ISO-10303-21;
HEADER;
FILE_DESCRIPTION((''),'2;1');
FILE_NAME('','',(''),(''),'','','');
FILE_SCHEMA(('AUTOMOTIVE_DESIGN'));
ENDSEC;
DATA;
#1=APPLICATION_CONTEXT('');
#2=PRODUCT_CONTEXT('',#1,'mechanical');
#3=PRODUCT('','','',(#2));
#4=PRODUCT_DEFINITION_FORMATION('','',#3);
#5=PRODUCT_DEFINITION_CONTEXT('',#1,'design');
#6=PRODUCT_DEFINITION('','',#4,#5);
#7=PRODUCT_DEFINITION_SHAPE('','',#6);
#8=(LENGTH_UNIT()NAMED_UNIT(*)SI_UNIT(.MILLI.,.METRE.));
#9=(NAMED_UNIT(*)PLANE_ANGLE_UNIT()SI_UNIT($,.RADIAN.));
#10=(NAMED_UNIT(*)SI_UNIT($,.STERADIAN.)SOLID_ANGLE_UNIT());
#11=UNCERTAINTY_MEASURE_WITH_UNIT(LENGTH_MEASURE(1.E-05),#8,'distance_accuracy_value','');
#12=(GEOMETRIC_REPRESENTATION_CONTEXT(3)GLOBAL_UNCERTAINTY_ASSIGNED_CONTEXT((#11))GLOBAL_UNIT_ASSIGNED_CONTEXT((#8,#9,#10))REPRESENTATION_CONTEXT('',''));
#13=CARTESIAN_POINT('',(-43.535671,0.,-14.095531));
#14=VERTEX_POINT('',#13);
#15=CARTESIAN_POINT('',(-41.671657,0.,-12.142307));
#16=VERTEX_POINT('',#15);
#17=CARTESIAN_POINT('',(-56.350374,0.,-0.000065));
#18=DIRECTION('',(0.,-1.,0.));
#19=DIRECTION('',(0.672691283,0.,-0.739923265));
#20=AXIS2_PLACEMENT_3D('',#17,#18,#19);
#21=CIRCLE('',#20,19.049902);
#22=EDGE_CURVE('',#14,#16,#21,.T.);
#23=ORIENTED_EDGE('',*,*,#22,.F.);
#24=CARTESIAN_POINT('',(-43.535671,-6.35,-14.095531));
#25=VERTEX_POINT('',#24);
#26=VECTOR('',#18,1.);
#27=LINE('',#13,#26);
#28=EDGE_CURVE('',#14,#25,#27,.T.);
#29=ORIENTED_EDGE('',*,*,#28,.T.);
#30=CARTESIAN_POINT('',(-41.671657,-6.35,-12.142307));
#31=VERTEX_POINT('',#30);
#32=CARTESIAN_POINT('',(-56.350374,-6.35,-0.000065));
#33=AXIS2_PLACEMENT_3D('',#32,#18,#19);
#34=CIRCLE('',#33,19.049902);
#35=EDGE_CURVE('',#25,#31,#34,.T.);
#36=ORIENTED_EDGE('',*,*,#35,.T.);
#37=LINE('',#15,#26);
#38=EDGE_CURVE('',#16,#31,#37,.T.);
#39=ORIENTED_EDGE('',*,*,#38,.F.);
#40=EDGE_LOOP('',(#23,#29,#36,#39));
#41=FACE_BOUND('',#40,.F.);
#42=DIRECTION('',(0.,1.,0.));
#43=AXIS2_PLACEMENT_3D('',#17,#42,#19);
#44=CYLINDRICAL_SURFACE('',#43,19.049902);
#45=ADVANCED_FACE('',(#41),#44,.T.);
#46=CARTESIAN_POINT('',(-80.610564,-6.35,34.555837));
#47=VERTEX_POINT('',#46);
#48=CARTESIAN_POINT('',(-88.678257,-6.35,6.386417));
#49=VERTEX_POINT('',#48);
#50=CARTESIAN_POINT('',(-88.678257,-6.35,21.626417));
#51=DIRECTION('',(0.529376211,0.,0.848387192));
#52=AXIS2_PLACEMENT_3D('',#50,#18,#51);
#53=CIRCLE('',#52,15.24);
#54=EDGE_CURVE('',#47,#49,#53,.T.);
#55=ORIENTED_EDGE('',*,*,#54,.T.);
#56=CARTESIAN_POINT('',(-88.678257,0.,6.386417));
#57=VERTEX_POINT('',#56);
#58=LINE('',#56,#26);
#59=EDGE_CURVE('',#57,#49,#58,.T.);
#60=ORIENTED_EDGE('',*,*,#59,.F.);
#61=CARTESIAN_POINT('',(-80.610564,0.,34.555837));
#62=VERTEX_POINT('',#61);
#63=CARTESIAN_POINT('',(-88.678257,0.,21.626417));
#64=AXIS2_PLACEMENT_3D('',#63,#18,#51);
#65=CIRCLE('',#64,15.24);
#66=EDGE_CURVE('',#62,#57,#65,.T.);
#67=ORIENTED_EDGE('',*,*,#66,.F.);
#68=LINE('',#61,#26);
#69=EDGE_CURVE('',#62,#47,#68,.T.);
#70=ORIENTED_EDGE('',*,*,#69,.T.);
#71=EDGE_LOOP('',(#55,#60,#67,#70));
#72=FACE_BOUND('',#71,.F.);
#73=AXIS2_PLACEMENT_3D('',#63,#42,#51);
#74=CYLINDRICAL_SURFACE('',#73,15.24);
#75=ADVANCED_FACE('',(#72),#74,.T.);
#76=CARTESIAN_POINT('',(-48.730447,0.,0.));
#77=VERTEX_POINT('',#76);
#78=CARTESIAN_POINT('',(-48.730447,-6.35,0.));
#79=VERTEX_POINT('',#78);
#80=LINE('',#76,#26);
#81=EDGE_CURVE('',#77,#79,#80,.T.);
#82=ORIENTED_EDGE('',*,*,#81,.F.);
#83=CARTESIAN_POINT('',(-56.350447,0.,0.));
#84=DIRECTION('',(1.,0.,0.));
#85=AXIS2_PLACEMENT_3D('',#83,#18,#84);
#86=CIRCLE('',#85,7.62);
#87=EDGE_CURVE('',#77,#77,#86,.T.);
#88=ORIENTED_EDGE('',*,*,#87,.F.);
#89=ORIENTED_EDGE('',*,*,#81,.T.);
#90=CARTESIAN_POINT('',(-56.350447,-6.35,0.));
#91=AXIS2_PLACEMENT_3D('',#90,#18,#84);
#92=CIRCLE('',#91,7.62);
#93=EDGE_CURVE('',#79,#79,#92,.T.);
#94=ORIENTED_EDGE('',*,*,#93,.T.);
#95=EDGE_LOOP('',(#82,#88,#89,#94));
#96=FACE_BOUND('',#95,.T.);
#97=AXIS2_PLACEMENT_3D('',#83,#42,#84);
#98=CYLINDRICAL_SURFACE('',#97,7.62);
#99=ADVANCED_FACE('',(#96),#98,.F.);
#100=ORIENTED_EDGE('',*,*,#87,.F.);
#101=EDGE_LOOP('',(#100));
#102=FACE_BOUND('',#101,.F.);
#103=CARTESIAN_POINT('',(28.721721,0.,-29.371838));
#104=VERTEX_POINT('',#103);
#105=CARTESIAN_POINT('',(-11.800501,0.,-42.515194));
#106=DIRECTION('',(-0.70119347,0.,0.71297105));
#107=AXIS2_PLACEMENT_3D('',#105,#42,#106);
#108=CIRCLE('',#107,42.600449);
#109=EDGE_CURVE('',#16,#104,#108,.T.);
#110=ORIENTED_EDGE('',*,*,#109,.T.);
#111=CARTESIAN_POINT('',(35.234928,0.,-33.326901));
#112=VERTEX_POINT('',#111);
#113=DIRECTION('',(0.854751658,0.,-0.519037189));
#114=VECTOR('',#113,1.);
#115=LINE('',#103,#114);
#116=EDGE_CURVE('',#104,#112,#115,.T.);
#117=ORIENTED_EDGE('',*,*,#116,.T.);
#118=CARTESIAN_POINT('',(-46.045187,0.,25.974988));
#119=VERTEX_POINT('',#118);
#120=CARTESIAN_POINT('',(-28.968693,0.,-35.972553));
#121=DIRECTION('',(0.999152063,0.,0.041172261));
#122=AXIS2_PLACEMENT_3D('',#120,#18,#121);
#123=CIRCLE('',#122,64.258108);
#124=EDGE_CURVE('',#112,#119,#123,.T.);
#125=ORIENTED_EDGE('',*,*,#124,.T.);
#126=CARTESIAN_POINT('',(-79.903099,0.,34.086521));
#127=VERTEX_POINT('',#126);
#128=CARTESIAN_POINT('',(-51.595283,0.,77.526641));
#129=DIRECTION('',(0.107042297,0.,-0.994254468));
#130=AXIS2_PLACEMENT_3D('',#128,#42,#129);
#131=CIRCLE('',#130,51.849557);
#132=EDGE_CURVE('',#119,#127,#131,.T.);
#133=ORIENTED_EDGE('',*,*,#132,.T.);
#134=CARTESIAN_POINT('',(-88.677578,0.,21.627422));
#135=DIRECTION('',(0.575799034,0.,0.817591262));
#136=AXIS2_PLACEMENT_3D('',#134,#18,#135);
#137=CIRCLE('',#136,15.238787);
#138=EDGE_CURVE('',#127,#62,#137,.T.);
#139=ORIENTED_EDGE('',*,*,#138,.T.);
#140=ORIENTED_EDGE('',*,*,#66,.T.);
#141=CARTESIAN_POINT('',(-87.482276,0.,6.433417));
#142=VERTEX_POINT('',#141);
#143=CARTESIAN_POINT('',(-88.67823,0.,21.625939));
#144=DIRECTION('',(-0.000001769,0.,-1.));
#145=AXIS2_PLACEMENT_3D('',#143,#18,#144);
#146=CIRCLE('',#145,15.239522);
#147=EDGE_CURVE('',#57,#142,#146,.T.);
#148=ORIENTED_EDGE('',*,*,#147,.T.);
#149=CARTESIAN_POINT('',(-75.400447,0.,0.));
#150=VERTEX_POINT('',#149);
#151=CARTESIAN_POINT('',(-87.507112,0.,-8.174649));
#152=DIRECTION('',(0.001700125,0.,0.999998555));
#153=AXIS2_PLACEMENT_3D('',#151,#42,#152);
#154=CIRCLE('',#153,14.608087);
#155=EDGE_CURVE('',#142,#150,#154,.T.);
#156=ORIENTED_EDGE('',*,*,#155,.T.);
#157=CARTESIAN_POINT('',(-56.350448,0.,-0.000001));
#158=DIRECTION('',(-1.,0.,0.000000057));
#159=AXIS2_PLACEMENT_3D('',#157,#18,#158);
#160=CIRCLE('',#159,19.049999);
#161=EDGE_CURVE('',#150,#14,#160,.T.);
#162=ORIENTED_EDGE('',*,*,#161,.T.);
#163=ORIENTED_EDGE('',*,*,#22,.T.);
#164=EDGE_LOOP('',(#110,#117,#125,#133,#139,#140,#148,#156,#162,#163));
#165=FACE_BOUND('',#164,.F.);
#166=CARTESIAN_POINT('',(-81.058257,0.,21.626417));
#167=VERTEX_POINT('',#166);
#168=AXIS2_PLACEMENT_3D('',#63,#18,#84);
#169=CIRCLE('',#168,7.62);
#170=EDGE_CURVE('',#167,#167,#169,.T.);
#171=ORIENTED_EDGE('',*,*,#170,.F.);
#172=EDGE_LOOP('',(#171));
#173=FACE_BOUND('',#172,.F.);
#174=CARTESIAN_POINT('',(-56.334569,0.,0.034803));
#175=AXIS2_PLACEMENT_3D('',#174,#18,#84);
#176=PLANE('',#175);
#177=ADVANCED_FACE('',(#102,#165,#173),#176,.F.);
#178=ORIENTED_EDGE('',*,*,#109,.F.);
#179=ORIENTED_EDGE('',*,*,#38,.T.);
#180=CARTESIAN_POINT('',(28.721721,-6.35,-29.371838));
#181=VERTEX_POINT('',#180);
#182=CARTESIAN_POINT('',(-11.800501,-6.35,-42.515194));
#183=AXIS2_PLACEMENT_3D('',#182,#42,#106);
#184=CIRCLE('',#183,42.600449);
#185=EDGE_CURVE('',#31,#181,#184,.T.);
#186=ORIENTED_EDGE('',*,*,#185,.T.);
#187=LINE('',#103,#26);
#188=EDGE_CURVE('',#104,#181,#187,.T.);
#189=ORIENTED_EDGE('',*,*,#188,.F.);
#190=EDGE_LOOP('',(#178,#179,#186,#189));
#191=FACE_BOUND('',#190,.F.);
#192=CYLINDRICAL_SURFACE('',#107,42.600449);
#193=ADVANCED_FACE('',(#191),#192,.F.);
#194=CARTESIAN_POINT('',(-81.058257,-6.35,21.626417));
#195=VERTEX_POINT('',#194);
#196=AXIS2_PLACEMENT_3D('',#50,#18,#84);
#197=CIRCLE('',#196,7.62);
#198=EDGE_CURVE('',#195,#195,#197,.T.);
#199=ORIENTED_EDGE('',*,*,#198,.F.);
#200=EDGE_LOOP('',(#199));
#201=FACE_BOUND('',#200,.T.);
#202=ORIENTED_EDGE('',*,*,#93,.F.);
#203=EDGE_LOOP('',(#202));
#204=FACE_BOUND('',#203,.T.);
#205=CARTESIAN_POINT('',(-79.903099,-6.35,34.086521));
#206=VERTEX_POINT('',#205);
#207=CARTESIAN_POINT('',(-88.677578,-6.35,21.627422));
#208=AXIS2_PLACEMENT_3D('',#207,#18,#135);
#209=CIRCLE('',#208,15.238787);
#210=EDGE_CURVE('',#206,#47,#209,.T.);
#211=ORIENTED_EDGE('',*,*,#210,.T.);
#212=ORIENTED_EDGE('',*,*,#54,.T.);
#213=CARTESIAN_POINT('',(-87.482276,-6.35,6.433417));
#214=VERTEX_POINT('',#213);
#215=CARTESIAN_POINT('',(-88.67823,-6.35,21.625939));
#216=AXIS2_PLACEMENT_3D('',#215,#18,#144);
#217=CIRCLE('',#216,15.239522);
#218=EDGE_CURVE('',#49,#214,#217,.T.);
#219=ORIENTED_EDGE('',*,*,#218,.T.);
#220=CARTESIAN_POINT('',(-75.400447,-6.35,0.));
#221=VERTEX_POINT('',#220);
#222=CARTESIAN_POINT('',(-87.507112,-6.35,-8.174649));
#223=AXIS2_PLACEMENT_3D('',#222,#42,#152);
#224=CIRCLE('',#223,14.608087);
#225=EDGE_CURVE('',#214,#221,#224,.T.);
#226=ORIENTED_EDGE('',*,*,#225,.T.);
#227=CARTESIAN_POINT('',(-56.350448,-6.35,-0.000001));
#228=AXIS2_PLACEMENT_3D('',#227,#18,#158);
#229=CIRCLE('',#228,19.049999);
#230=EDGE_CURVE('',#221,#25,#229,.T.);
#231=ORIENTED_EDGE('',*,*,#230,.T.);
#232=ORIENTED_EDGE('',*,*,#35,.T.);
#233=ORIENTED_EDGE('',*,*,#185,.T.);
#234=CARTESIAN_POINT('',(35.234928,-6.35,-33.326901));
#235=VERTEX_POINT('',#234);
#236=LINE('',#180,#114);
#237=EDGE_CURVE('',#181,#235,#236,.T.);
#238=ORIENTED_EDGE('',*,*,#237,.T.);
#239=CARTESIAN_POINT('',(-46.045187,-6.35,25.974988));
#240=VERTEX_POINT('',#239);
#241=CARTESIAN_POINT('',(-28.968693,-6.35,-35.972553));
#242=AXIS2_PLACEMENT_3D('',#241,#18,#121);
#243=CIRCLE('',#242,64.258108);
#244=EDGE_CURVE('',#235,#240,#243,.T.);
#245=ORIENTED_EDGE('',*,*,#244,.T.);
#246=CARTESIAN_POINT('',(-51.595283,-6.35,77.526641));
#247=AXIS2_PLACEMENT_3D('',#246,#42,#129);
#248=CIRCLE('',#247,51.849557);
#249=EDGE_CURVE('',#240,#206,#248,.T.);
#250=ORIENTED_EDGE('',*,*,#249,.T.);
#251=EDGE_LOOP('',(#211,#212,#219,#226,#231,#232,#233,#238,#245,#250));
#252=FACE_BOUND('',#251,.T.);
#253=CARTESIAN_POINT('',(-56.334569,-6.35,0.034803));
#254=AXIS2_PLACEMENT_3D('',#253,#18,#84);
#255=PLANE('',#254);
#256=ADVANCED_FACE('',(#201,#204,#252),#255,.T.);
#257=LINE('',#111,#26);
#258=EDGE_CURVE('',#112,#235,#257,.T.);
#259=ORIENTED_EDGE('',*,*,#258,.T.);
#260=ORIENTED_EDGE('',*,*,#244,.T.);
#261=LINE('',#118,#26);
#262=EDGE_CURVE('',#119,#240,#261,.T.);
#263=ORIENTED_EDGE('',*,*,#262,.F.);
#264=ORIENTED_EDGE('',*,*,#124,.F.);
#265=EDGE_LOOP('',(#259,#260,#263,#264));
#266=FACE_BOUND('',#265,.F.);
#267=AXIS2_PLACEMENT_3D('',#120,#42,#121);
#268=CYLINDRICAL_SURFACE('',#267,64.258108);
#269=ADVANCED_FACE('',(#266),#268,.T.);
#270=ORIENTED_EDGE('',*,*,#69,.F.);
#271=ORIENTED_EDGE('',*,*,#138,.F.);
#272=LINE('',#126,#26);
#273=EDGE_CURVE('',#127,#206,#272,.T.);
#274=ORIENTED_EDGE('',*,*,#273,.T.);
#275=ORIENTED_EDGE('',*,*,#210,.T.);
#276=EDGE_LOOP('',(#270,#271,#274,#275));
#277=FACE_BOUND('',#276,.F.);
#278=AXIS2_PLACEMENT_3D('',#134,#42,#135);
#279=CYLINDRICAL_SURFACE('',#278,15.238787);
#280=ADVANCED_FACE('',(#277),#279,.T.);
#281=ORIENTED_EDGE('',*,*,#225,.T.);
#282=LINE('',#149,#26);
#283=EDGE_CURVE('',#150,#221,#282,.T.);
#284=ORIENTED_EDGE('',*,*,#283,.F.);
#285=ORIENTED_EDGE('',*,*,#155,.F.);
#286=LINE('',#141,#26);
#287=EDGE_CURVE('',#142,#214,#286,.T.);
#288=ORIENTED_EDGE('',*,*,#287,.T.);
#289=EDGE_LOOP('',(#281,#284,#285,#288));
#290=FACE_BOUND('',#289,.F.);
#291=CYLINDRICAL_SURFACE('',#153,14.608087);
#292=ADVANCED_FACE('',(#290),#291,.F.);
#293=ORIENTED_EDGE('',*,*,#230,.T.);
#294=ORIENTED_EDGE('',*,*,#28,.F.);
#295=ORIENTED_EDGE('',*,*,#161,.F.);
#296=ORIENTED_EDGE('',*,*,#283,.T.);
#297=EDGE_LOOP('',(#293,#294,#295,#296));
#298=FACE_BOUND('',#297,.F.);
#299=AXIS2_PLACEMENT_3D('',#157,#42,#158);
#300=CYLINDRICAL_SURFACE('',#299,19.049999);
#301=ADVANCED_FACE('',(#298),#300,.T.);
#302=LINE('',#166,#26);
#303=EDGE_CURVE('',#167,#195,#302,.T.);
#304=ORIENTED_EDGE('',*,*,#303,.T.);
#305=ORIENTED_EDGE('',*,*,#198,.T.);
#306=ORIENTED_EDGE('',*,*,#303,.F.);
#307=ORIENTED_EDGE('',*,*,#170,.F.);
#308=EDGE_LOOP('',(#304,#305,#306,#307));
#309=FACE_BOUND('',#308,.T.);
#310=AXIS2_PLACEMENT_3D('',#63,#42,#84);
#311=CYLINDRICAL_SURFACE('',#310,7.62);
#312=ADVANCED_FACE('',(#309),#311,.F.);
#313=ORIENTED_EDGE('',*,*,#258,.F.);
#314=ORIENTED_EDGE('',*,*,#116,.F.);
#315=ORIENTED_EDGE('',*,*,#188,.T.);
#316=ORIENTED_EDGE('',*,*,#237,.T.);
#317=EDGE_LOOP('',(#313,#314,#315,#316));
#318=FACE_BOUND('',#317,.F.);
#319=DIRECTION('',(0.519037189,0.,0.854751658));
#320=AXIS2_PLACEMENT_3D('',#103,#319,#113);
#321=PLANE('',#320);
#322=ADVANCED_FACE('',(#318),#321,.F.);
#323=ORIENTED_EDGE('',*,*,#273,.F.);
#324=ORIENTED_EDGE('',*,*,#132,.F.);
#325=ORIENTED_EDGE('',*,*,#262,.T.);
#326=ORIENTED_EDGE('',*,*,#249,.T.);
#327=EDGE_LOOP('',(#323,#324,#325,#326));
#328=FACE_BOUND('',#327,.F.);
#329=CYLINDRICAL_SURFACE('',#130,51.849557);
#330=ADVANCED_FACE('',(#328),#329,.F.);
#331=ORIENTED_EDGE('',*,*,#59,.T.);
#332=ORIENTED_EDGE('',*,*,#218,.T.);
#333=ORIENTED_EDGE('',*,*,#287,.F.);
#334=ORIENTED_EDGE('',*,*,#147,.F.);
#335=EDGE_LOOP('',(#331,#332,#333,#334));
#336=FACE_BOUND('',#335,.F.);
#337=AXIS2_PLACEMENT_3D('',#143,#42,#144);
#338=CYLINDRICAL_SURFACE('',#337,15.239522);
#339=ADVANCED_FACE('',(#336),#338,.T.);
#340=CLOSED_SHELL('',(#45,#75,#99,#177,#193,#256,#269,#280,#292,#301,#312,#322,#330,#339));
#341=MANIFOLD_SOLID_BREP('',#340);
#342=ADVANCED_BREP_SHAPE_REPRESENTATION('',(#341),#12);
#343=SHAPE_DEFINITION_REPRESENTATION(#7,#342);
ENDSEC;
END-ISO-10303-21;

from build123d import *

# Parameters (mm, degrees)
F0_R     = 7.62
F1_DEPTH = 6.35


with BuildPart() as f1:
    # F0 (on Front) → F1 (new body)
    with BuildSketch(Plane.XZ):
        with BuildLine():
            ThreePointArc((-41.671657, -12.142307), (-38.426532, -6.452579), (-37.300447, 0))
            ThreePointArc((-37.300447, 0), (-47.853815, 17.050212), (-67.821154, 15.209385))
            ThreePointArc((-67.821154, 15.209385), (-73.400659, 8.496633), (-75.400447, 0))
            ThreePointArc((-75.400447, 0), (-64.056971, -17.421596), (-43.535671, -14.095531))
            ThreePointArc((-43.535671, -14.095531), (-42.619142, -13.104148), (-41.671657, -12.142307))
        make_face()
        with Locations((-56.350447, 0)):
            Circle(F0_R, mode=Mode.SUBTRACT)
        with BuildLine():
            ThreePointArc((-67.821154, 15.209385), (-47.853815, 17.050212), (-37.300447, 0))
            ThreePointArc((-37.300447, 0), (-38.426532, -6.452579), (-41.671657, -12.142307))
            ThreePointArc((-41.671657, -12.142307), (-1.672546, -1.13618), (28.721721, -29.371838))
            Line((28.721721, -29.371838), (35.234928, -33.326901))
            ThreePointArc((35.234928, -33.326901), (8.905045, 15.937797), (-46.045187, 25.974988))
            ThreePointArc((-46.045187, 25.974988), (-57.446519, 21.630554), (-67.821154, 15.209385))
        make_face()
        with BuildLine():
            ThreePointArc((-75.400447, 0), (-73.400659, 8.496633), (-67.821154, 15.209385))
            ThreePointArc((-67.821154, 15.209385), (-57.446519, 21.630554), (-46.045187, 25.974988))
            ThreePointArc((-46.045187, 25.974988), (-63.675337, 27.10394), (-79.903099, 34.086521))
            ThreePointArc((-79.903099, 34.086521), (-75.150674, 28.645113), (-73.438257, 21.626417))
            ThreePointArc((-73.438257, 21.626417), (-77.487092, 11.281591), (-87.482276, 6.433417))
            ThreePointArc((-87.482276, 6.433417), (-80.641215, 4.719368), (-75.400447, 0))
        make_face()
        with BuildLine():
            ThreePointArc((-43.535671, -14.095531), (-42.569017, -13.151984), (-41.671657, -12.142307))
            ThreePointArc((-41.671657, -12.142307), (-42.619142, -13.104148), (-43.535671, -14.095531))
        make_face()
        with BuildLine():
            ThreePointArc((-88.678257, 6.386417), (-88.080748, 6.422171), (-87.482276, 6.433417))
            ThreePointArc((-87.482276, 6.433417), (-77.487092, 11.281591), (-73.438257, 21.626417))
            ThreePointArc((-73.438257, 21.626417), (-75.150674, 28.645113), (-79.903099, 34.086521))
            ThreePointArc((-79.903099, 34.086521), (-80.257792, 34.319731), (-80.610564, 34.555837))
            ThreePointArc((-80.610564, 34.555837), (-103.329229, 25.82244), (-88.678257, 6.386417))
        make_face()
        with Locations((-88.678257, 21.626417)):
            Circle(F0_R, mode=Mode.SUBTRACT)
        with BuildLine():
            ThreePointArc((-88.678257, 6.386417), (-88.079805, 6.398171), (-87.482276, 6.433417))
            ThreePointArc((-87.482276, 6.433417), (-88.080748, 6.422171), (-88.678257, 6.386417))
        make_face()
        with BuildLine():
            ThreePointArc((-80.610564, 34.555837), (-80.257792, 34.319731), (-79.903099, 34.086521))
            ThreePointArc((-79.903099, 34.086521), (-80.253563, 34.326107), (-80.610564, 34.555837))
        make_face()
    extrude(amount=F1_DEPTH)


solid = f1.part
